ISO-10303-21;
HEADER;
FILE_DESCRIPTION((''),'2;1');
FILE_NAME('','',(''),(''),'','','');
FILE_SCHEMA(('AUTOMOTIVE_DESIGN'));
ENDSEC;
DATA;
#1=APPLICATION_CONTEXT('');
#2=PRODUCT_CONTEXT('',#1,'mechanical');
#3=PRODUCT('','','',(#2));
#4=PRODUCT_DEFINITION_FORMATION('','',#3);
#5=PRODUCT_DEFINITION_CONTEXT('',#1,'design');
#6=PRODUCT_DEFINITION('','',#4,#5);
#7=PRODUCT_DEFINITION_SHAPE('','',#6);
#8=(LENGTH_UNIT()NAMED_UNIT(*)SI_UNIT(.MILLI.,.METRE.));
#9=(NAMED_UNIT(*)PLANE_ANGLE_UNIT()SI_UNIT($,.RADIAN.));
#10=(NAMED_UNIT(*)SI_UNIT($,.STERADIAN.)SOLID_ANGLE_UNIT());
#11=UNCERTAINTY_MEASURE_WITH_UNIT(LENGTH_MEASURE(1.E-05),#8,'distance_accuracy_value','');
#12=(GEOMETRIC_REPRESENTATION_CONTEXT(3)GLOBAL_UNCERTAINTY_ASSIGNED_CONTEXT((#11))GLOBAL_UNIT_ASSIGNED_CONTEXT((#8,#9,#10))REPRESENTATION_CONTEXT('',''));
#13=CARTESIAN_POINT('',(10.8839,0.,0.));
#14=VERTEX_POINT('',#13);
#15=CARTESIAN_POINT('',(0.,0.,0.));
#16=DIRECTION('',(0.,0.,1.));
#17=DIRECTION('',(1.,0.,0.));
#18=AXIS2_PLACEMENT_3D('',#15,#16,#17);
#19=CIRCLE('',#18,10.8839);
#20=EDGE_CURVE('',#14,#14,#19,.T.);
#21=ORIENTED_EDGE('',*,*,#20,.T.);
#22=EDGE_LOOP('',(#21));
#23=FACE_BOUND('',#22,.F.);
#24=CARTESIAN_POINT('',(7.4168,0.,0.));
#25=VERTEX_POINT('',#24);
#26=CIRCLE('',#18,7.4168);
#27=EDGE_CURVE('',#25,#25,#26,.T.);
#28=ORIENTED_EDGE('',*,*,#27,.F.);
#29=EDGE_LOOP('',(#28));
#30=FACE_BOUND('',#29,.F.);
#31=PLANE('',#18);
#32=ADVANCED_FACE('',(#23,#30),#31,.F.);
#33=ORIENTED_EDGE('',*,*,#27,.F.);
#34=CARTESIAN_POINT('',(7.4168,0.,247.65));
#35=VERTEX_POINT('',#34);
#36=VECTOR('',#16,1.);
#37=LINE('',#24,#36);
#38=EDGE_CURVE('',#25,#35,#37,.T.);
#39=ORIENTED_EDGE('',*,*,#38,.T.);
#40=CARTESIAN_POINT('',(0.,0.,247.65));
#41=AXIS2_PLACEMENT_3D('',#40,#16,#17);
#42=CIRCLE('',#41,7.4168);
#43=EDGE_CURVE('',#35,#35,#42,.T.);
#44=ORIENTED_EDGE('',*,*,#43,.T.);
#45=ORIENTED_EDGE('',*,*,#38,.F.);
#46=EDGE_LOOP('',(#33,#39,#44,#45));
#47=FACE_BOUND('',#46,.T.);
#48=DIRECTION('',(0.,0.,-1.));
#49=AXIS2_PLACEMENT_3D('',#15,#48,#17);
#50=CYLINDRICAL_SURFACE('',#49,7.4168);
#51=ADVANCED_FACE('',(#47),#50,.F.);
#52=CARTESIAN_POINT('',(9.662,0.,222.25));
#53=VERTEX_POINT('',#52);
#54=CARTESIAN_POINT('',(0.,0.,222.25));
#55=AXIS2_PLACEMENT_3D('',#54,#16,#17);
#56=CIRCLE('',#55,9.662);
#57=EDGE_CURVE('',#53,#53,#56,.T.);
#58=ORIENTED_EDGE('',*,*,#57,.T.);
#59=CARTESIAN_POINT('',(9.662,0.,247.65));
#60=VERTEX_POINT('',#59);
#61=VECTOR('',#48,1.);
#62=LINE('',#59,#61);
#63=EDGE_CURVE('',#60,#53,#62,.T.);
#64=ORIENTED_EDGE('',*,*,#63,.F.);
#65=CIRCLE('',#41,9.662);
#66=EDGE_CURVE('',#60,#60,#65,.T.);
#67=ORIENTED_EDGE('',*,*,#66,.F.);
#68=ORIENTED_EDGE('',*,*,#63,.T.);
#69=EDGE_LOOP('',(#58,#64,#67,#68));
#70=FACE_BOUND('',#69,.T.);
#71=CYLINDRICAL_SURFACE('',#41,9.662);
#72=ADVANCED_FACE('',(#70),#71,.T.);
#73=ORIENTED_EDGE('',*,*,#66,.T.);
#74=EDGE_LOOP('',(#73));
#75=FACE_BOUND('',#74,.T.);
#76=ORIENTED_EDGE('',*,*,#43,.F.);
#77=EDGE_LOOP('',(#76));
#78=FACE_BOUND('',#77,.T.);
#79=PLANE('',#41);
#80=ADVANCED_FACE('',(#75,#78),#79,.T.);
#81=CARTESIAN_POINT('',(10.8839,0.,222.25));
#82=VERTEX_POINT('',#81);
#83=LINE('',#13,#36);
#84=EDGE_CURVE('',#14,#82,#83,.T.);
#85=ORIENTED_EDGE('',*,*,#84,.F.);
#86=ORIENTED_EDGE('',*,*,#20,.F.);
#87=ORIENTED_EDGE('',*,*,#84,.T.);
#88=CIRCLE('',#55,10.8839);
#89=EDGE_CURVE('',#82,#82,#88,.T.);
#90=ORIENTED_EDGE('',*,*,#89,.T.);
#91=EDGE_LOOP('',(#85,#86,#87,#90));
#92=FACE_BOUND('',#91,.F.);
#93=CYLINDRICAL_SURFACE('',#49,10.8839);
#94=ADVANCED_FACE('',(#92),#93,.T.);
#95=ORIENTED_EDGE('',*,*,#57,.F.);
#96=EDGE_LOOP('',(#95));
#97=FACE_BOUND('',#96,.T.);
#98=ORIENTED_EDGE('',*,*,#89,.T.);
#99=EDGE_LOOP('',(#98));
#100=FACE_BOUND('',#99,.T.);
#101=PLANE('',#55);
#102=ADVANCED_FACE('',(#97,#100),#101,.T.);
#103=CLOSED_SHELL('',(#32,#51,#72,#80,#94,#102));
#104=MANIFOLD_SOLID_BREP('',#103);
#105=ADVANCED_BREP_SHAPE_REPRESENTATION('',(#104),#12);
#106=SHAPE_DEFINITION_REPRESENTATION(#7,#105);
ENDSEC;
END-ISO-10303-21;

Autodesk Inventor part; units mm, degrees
ref_plane "YZ Plane" through (0, 0, 0) normal (1, 0, 0) x (0, 1, 0)
ref_plane "XZ Plane" through (0, 0, 0) normal (0, 1, 0) x (-1, 0, 0)
ref_plane "XY Plane" through (0, 0, 0) normal (0, 0, 1) x (1, 0, 0)
sketch "Sketch1" plane through (0, 0, 0) normal (0, 0, 1) x (1, 0, 0)
  circle A0 centre (0, 0) radius 7.4168
  circle A1 centre (0, 0) radius 10.8839
  dimension "d0" = 14.8336
  dimension "d1" = 21.7678
extrude "Extrusion1" add sketch "Sketch1" along normal blind 247.65
sketch "Sketch2" plane through (0, 0, 247.65) normal (0, 0, 1) x (1, 0, 0)
  circle A0 centre (0, 0) radius 10.8839 projected
  circle A1 centre (0, 0) radius 9.662
extrude "Extrusion2" cut sketch "Sketch2" against normal blind 25.4
thread "Thread2" size "13/16-10 UNC" class "2A" standard "ANSI Unified Screw Threads" full length
properties part number "Pipe"
